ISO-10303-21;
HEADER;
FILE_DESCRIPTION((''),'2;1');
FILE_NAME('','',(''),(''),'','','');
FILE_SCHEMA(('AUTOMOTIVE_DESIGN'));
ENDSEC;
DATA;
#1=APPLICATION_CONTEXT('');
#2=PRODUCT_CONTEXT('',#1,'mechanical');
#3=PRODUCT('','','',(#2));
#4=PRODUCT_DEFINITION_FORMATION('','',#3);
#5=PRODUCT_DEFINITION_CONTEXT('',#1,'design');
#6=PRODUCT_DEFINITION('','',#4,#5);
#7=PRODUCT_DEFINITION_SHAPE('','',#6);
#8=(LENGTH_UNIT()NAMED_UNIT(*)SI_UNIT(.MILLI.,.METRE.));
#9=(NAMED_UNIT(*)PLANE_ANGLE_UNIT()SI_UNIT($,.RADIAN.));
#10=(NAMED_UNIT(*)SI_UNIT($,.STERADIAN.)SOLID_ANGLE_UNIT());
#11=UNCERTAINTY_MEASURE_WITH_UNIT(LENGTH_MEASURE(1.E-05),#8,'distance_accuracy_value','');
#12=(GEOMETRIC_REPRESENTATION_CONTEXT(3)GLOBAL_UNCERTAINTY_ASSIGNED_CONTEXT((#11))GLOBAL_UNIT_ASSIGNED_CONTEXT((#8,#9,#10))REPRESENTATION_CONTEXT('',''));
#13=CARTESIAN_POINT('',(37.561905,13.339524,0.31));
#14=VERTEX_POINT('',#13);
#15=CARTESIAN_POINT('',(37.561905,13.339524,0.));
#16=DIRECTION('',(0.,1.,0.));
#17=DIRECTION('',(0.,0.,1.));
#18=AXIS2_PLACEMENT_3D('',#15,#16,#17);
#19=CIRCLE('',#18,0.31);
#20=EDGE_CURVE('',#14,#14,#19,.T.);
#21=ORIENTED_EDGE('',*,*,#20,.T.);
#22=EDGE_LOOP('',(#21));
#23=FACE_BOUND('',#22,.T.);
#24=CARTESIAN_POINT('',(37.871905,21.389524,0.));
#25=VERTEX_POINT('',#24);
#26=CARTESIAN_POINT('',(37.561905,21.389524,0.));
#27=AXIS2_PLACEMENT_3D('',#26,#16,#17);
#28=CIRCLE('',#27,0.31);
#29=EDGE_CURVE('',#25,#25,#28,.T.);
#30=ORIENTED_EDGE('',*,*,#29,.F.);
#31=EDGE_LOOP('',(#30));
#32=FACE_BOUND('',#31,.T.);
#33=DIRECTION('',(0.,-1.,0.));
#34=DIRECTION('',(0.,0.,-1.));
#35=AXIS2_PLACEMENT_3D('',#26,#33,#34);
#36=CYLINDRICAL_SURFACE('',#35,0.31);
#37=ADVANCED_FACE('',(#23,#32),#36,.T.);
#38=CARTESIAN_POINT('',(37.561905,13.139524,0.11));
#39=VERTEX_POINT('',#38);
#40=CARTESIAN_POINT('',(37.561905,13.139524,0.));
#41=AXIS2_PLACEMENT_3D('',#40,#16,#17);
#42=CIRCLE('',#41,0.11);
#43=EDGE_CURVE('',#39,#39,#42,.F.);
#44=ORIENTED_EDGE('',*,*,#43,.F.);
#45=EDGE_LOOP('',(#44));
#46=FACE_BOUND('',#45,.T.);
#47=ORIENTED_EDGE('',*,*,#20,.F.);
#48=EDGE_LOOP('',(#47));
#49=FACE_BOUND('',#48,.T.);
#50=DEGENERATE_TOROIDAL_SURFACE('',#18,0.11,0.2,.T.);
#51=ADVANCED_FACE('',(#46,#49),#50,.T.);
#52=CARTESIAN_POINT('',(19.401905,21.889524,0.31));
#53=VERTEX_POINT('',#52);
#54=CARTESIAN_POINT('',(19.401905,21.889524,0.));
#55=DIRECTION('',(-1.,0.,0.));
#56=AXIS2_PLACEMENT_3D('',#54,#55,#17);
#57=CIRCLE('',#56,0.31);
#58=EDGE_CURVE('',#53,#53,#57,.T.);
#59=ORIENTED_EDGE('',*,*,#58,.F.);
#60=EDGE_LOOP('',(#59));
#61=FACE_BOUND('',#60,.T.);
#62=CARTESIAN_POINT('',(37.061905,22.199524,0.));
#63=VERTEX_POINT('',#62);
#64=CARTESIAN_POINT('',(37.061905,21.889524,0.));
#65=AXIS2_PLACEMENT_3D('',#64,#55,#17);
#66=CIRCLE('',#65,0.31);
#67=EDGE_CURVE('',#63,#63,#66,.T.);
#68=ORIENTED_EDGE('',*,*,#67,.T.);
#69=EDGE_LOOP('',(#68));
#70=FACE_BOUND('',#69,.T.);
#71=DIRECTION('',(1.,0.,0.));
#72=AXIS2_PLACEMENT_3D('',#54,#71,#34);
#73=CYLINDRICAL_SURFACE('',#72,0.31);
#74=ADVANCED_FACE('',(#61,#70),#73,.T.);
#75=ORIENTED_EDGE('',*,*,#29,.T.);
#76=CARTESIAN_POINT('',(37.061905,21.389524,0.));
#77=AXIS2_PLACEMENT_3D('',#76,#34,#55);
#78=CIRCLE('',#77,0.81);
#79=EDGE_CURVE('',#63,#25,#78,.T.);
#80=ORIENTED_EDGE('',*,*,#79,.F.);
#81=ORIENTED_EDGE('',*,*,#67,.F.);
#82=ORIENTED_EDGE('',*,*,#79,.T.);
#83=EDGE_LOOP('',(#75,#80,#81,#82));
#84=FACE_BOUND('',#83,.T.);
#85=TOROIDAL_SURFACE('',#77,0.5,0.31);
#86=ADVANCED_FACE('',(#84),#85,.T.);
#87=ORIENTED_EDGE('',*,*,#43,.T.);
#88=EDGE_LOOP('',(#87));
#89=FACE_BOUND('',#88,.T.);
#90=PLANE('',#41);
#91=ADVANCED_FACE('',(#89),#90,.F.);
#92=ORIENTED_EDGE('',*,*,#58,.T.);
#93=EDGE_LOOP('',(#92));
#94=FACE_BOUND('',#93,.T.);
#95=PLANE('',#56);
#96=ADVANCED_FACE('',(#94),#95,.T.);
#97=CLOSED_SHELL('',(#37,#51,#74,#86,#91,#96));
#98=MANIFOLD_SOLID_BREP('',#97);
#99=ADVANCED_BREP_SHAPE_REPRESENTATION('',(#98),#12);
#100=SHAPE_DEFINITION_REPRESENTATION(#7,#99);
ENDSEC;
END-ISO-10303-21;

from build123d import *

# Parameters (mm, degrees)
SWEEP_1_PROFILE_R = 0.31
FILLET_1_R        = 0.2


with BuildPart() as part:
    # 扫描1: sweep along a path in 草图1
    with BuildLine(Plane.XY) as sweep_1_path:
        Line((19.401904762, 21.88952381), (37.061904762, 21.88952381))
        ThreePointArc((37.061904762, 21.88952381), (37.415458152, 21.7430772), (37.561904762, 21.38952381))
        Line((37.561904762, 21.38952381), (37.561904762, 13.13952381))
    # 扫描1 profile (on start of the path) → 扫描1 (sweep)
    with BuildSketch(Plane(origin=(19.401904762, 21.88952381, 0), x_dir=(0, 0, 1), z_dir=(1, 0, 0))):
        Circle(SWEEP_1_PROFILE_R)
    sweep(path=sweep_1_path.line)

    # 圆角1
    fillet_1_edges = [part.edges().sort_by_distance(p)[0] for p in [
        (37.561904762, 13.13952381, -0.31),
    ]]
    fillet(fillet_1_edges, radius=FILLET_1_R)


solid = part.part
